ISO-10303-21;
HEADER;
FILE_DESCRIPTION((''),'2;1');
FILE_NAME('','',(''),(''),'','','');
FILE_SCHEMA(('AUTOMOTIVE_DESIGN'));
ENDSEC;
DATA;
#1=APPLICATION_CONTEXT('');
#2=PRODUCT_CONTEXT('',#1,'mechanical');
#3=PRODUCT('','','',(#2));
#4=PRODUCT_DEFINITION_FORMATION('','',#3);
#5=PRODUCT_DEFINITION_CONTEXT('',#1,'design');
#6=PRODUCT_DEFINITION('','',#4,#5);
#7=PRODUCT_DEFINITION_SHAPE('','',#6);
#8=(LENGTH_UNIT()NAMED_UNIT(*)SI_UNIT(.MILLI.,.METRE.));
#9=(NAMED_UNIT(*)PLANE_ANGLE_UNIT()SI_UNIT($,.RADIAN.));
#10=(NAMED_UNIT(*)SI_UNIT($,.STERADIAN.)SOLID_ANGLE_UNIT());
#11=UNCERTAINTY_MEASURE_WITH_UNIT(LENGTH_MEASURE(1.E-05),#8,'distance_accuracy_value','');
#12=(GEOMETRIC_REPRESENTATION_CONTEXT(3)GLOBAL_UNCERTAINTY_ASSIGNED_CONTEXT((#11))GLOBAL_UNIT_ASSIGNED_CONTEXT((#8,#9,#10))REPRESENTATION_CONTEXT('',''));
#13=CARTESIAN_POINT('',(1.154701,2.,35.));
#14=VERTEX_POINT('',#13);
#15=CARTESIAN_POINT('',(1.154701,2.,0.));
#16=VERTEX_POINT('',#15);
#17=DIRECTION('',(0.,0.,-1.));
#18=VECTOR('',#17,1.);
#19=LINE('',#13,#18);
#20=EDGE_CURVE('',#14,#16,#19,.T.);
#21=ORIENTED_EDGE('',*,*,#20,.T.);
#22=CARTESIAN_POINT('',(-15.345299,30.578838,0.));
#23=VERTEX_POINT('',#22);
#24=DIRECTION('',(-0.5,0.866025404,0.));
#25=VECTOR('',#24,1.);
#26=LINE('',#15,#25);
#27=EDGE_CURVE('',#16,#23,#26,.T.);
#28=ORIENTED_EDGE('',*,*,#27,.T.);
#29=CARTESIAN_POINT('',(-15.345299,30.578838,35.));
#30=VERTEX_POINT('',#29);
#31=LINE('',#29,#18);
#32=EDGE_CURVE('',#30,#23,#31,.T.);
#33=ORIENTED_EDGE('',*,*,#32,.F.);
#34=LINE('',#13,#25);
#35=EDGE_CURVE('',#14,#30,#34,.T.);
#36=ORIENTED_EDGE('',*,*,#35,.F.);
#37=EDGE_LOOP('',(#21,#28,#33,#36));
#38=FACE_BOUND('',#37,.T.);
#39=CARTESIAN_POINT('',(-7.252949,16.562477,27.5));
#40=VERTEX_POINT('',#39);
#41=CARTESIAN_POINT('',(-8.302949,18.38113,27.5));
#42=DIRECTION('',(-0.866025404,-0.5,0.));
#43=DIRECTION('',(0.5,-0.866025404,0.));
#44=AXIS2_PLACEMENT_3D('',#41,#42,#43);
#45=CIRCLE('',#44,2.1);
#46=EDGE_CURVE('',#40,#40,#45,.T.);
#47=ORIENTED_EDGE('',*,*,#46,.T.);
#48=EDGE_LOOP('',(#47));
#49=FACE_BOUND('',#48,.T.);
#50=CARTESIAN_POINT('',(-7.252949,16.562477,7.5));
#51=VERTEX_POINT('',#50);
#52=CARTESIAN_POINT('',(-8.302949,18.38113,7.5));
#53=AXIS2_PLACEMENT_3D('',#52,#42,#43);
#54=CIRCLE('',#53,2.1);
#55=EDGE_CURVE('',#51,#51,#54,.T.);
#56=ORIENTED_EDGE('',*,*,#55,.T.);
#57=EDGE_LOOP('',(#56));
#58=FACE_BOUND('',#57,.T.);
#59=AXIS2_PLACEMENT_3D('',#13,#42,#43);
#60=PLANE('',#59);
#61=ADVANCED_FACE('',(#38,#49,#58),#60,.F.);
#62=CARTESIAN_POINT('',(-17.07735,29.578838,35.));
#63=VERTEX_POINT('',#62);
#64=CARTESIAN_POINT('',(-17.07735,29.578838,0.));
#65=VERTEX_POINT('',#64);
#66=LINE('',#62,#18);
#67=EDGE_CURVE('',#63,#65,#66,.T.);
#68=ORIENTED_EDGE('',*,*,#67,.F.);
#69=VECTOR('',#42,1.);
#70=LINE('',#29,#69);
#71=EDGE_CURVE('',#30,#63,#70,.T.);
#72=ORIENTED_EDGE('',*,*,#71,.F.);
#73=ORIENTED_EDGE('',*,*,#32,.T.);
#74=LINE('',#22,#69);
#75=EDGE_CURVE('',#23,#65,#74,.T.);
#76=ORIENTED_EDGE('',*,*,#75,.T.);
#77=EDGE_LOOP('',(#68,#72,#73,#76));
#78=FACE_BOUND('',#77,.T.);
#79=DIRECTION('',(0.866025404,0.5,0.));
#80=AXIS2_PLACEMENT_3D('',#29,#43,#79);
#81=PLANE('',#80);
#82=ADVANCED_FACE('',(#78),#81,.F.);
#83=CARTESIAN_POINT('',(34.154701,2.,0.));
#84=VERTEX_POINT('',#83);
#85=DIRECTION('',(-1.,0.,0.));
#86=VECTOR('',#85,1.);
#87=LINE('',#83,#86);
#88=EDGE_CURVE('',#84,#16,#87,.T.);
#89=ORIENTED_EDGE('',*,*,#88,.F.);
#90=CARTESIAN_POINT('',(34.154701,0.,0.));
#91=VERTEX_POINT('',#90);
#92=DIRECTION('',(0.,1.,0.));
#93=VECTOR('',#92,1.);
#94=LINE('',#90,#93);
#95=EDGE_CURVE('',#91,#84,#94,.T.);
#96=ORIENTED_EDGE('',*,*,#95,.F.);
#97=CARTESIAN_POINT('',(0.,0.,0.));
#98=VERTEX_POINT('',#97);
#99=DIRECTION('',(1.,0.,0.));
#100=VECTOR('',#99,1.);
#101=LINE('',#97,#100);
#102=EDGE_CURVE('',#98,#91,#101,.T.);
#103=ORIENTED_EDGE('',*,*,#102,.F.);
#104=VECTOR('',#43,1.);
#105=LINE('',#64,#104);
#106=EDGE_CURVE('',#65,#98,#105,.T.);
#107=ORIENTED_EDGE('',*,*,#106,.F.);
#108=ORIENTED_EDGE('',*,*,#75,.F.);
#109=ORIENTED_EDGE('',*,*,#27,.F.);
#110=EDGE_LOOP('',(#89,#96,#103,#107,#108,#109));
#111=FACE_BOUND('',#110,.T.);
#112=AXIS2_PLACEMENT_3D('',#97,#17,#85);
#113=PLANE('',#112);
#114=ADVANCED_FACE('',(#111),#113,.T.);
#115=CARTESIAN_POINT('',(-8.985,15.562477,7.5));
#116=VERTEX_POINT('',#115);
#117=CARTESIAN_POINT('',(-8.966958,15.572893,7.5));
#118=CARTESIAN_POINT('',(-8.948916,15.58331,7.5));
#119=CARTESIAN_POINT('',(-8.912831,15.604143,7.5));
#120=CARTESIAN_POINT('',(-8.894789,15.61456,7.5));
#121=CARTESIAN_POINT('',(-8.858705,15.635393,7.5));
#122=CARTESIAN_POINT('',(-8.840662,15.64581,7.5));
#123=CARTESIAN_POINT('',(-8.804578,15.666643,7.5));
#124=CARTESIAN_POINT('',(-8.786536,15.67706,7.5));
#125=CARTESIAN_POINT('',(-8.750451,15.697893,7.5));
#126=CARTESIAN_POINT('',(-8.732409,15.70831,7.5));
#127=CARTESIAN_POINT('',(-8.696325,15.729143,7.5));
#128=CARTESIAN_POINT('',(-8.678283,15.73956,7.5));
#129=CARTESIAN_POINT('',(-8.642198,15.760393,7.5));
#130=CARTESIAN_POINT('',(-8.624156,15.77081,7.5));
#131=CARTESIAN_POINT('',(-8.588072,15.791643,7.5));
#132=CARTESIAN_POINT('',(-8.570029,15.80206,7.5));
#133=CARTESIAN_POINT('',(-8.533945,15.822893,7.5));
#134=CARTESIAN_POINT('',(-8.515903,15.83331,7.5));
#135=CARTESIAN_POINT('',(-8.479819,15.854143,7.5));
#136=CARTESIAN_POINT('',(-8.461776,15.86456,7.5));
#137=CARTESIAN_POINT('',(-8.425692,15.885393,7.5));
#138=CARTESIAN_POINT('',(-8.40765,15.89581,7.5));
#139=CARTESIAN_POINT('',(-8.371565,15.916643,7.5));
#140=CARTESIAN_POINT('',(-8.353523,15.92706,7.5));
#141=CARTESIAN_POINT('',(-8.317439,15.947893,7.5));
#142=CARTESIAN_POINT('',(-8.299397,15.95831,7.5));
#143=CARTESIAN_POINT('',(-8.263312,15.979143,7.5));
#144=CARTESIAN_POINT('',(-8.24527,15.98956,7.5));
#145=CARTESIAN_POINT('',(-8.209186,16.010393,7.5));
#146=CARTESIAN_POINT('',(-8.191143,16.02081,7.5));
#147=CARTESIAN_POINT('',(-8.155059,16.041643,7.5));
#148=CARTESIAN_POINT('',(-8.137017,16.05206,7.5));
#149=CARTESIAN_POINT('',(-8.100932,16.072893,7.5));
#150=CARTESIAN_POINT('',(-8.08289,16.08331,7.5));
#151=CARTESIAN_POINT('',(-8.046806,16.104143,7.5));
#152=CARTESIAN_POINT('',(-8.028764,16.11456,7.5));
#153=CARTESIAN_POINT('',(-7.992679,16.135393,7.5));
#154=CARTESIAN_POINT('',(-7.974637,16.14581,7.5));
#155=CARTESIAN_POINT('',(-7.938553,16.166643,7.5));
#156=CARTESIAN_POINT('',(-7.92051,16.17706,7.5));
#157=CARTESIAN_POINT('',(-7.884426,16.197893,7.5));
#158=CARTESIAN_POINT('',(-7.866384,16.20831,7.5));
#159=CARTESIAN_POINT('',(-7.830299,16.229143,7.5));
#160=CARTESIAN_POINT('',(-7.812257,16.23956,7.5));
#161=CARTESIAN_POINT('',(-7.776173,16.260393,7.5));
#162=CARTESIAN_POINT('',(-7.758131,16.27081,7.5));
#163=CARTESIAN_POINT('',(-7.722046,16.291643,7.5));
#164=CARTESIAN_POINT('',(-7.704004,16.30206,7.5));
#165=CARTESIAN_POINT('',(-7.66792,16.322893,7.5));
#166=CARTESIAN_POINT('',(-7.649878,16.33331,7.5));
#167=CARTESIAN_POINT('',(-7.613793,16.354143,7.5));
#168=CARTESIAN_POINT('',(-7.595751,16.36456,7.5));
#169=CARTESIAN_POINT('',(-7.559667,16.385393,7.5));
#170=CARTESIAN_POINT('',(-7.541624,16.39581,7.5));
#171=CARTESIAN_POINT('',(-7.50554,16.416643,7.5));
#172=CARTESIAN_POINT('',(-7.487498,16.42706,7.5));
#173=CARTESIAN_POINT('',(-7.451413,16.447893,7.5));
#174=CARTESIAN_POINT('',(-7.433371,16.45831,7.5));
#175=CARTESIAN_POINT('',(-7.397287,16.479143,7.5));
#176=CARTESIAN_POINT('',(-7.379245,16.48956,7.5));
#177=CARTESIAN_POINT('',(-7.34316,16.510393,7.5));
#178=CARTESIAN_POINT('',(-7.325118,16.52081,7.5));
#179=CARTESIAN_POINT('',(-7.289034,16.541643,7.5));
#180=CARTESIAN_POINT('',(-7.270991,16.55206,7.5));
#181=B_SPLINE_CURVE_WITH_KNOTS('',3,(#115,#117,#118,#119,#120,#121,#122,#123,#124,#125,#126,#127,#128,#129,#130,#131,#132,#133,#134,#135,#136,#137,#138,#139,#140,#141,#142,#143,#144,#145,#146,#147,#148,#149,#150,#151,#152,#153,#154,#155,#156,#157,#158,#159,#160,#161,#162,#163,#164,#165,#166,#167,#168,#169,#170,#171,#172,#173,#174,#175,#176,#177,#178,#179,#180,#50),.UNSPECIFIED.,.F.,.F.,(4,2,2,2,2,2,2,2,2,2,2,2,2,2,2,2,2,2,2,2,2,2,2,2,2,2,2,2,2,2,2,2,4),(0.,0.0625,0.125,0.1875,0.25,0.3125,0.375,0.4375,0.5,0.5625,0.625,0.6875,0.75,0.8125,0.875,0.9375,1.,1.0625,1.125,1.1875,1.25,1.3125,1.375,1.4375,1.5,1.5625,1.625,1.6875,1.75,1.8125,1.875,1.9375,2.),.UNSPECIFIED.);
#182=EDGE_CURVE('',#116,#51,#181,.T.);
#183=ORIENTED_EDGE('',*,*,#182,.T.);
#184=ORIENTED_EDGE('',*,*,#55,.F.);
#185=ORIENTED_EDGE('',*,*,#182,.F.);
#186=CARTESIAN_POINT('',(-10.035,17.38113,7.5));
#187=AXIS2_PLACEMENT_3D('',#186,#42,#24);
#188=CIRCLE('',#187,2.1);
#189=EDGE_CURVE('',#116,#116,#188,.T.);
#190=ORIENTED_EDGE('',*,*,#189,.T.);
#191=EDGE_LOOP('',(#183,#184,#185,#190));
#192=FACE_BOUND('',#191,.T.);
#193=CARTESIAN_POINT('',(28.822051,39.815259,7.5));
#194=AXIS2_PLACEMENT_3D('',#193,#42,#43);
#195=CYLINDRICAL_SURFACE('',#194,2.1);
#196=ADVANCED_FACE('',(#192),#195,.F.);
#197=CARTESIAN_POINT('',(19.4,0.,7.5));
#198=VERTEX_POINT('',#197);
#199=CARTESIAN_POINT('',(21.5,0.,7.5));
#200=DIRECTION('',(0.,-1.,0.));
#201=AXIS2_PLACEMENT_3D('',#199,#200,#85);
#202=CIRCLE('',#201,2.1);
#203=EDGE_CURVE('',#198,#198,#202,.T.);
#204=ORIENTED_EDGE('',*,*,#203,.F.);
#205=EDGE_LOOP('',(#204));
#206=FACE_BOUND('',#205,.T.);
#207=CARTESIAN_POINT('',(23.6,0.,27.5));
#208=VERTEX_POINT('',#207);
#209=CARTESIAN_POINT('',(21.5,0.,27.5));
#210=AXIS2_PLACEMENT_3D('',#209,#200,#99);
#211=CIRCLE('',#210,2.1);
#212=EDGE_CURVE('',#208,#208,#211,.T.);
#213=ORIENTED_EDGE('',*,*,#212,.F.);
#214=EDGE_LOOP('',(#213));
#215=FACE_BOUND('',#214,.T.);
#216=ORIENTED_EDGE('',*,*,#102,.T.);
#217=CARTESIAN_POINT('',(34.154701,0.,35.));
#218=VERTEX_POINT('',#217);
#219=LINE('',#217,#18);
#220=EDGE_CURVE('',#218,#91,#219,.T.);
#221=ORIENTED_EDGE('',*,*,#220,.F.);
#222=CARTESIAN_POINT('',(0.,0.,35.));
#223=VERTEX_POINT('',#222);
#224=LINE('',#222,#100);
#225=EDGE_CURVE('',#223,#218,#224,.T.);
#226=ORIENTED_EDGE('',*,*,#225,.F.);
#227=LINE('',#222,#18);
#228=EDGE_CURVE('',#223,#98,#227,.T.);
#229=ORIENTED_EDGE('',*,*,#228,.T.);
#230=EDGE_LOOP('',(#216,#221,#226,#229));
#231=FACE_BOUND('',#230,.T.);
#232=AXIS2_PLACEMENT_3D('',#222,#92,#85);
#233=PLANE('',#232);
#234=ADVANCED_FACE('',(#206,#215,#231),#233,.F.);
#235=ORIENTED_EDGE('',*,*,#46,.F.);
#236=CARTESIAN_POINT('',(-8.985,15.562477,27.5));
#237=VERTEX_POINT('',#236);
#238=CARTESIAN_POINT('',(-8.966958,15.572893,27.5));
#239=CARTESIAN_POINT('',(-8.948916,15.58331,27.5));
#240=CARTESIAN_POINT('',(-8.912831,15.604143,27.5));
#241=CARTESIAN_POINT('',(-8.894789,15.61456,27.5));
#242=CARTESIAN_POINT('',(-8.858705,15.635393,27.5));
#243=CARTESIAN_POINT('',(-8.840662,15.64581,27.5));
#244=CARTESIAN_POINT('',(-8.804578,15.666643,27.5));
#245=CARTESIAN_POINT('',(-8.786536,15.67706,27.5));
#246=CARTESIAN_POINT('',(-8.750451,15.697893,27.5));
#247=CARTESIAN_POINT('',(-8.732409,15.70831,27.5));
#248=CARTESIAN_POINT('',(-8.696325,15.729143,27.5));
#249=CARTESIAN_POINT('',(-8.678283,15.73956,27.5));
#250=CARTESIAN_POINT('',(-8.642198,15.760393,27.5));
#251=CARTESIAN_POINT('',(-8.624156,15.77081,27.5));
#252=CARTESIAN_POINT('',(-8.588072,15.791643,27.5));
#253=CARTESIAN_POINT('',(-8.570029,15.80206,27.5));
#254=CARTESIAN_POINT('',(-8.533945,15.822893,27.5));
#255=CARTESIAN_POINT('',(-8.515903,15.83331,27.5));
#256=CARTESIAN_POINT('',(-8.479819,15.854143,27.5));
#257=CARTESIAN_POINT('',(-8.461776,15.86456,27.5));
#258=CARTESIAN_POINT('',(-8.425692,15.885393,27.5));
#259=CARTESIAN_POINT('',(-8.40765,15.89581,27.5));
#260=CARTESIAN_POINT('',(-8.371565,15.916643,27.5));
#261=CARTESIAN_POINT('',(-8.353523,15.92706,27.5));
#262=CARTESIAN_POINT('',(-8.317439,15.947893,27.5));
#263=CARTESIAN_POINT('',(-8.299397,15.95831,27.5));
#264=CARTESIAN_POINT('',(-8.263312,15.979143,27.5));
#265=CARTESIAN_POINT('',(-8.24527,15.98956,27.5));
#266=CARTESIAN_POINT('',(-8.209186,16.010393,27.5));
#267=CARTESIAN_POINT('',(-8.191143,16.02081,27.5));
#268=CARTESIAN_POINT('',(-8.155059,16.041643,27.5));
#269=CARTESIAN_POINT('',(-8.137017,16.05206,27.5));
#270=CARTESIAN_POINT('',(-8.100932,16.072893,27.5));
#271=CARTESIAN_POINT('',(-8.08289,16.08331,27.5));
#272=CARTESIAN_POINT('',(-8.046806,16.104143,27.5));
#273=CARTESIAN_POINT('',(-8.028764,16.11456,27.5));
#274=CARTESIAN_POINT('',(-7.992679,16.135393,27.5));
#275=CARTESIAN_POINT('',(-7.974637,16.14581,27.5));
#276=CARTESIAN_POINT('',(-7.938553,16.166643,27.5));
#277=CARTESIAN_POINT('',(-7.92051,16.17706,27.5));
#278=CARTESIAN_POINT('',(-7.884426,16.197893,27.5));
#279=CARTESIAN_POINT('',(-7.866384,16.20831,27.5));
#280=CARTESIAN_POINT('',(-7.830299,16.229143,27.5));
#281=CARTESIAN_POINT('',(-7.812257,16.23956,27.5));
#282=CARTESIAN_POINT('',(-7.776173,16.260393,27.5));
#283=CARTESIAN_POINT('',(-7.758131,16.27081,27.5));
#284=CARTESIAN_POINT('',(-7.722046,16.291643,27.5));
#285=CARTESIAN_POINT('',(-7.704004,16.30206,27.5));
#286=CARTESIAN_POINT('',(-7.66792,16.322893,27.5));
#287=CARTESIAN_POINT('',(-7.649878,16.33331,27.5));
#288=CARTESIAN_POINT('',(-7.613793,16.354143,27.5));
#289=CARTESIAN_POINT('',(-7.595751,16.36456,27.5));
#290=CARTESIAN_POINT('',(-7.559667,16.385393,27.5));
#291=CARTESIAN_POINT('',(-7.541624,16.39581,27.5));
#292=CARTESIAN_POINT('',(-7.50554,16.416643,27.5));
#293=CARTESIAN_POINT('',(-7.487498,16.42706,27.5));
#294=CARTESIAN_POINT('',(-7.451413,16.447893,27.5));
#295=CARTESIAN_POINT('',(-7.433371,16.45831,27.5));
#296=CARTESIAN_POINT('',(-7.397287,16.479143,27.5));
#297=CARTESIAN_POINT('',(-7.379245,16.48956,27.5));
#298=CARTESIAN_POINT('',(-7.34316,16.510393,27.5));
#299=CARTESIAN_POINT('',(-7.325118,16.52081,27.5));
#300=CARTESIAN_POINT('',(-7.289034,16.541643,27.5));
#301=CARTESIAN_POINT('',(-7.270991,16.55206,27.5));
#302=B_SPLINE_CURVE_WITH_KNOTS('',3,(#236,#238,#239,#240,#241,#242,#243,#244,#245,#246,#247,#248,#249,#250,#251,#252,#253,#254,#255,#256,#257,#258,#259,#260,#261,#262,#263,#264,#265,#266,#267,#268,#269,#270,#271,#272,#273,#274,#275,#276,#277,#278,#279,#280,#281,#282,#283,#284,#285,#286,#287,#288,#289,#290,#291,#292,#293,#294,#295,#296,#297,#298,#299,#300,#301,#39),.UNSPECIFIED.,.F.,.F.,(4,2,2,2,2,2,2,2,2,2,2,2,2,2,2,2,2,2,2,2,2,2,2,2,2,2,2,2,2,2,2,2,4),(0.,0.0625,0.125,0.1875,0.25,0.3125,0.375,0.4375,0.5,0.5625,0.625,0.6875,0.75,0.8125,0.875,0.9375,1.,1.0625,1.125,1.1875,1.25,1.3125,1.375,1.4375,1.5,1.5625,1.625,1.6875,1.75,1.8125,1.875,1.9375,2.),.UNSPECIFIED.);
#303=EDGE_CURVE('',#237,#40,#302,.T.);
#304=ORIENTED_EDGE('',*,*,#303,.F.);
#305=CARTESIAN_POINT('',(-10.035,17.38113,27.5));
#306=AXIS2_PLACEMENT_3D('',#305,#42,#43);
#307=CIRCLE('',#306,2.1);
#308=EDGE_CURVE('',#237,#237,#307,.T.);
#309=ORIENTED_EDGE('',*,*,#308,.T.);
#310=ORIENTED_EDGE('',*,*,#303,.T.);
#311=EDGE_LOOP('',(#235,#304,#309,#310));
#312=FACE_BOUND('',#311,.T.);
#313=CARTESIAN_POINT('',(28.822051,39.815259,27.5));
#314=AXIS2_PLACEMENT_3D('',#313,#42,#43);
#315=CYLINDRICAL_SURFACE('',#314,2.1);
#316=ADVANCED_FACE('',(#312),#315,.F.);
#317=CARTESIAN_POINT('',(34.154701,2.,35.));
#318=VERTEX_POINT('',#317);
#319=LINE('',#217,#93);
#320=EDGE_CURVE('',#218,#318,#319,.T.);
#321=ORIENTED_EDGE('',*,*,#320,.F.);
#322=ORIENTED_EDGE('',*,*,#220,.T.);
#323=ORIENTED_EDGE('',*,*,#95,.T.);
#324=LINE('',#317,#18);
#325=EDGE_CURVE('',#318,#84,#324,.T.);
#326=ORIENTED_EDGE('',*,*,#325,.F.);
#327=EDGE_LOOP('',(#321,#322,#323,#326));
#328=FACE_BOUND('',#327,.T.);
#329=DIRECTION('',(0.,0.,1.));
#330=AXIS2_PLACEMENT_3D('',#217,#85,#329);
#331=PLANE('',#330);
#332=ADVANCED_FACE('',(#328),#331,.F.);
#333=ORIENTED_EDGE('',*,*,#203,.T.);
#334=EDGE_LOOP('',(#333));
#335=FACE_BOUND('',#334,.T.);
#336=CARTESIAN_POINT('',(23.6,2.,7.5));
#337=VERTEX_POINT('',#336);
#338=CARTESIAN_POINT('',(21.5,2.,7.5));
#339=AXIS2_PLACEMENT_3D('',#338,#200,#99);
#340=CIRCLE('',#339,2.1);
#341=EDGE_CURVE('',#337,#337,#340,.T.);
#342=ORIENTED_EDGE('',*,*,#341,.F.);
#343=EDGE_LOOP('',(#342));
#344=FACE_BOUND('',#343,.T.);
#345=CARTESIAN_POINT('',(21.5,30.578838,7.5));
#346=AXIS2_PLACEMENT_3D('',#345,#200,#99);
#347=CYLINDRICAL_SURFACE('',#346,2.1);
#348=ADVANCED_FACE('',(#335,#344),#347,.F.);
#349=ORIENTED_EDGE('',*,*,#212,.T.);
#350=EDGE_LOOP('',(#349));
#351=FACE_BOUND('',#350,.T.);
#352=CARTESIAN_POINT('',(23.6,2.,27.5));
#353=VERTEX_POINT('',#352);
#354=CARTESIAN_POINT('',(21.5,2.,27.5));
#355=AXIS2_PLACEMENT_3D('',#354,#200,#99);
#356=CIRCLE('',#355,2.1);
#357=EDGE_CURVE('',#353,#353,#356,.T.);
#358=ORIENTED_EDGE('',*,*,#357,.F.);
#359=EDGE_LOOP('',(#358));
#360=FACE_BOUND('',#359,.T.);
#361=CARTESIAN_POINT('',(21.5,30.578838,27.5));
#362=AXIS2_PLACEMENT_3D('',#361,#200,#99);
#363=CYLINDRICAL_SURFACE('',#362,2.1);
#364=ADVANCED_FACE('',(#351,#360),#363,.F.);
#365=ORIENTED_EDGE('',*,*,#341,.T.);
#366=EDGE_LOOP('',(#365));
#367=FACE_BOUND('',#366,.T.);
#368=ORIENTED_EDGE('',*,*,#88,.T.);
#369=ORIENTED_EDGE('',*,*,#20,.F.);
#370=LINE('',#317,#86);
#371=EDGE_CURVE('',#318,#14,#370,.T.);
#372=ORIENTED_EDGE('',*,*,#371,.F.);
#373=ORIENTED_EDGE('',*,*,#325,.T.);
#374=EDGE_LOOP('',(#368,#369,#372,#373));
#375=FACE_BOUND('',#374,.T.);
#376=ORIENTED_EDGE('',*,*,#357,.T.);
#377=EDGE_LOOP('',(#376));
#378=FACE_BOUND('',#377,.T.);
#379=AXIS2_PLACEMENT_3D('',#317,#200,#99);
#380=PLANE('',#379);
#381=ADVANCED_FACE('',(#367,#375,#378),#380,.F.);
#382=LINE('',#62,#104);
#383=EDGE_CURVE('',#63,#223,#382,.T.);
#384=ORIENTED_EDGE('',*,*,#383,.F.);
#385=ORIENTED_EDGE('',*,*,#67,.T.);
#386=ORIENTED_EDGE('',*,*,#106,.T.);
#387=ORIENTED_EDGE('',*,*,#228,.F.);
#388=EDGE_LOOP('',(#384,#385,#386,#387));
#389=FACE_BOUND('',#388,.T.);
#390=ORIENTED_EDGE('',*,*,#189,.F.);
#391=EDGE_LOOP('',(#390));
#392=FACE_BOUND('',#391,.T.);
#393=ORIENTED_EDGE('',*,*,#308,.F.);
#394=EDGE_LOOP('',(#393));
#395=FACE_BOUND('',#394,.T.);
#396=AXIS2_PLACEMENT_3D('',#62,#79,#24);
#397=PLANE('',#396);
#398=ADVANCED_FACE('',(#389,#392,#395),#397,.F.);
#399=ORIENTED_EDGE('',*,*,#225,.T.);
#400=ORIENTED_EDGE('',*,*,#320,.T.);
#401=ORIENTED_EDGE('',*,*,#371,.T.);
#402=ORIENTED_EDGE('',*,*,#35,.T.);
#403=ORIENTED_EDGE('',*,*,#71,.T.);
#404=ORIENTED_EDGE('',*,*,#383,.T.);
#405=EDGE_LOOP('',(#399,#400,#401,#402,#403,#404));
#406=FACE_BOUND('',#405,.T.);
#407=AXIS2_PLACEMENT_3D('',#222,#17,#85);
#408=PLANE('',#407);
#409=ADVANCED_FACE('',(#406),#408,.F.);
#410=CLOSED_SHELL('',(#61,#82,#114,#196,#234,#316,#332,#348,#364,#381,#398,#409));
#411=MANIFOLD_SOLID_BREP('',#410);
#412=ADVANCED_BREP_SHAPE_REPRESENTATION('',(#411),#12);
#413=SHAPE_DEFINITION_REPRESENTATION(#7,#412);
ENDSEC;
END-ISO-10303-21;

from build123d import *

# Parameters (mm, degrees)
EXTRUDE_3_DEPTH     = 35
SKETCH_3_R          = 2.1
CUT_EXTRUDE_1_DEPTH = 58.676762411
SKETCH_4_R          = 2.1
CUT_EXTRUDE_2_DEPTH = 58.676762411


with BuildPart() as part:
    # 草图1 → 凸台-拉伸3 (new body)
    with BuildSketch(Plane.XY):
        Polygon((0, 0), (34.154700538, 0), (34.154700538, 2), (1.154700538, 2), (-15.345299462, 30.578838325), (-17.077350269, 29.578838325), align=None)
    extrude(amount=EXTRUDE_3_DEPTH)

    # 草图3 → 切除-拉伸1 (cut, through all)
    with BuildSketch(Plane.XZ):
        with Locations((21.5, 27.5)):
            Circle(SKETCH_3_R)
        with Locations((21.5, 7.5)):
            Circle(SKETCH_3_R)
    extrude(amount=-CUT_EXTRUDE_1_DEPTH, mode=Mode.SUBTRACT)

    # 草图4 → 切除-拉伸2 (cut, through all)
    with BuildSketch(Plane(origin=(0, 0, 0), x_dir=(0, 0, 1), z_dir=(-0.8660254037844397, -0.499999999999998, 0))):
        with Locations(Location((27.5, 20.07, 0), (0, 0, 270))):
            Circle(SKETCH_4_R)
        with Locations(Location((7.5, 20.07, 0), (0, 0, 270))):
            Circle(SKETCH_4_R)
    extrude(amount=-CUT_EXTRUDE_2_DEPTH, mode=Mode.SUBTRACT)


solid = part.part
